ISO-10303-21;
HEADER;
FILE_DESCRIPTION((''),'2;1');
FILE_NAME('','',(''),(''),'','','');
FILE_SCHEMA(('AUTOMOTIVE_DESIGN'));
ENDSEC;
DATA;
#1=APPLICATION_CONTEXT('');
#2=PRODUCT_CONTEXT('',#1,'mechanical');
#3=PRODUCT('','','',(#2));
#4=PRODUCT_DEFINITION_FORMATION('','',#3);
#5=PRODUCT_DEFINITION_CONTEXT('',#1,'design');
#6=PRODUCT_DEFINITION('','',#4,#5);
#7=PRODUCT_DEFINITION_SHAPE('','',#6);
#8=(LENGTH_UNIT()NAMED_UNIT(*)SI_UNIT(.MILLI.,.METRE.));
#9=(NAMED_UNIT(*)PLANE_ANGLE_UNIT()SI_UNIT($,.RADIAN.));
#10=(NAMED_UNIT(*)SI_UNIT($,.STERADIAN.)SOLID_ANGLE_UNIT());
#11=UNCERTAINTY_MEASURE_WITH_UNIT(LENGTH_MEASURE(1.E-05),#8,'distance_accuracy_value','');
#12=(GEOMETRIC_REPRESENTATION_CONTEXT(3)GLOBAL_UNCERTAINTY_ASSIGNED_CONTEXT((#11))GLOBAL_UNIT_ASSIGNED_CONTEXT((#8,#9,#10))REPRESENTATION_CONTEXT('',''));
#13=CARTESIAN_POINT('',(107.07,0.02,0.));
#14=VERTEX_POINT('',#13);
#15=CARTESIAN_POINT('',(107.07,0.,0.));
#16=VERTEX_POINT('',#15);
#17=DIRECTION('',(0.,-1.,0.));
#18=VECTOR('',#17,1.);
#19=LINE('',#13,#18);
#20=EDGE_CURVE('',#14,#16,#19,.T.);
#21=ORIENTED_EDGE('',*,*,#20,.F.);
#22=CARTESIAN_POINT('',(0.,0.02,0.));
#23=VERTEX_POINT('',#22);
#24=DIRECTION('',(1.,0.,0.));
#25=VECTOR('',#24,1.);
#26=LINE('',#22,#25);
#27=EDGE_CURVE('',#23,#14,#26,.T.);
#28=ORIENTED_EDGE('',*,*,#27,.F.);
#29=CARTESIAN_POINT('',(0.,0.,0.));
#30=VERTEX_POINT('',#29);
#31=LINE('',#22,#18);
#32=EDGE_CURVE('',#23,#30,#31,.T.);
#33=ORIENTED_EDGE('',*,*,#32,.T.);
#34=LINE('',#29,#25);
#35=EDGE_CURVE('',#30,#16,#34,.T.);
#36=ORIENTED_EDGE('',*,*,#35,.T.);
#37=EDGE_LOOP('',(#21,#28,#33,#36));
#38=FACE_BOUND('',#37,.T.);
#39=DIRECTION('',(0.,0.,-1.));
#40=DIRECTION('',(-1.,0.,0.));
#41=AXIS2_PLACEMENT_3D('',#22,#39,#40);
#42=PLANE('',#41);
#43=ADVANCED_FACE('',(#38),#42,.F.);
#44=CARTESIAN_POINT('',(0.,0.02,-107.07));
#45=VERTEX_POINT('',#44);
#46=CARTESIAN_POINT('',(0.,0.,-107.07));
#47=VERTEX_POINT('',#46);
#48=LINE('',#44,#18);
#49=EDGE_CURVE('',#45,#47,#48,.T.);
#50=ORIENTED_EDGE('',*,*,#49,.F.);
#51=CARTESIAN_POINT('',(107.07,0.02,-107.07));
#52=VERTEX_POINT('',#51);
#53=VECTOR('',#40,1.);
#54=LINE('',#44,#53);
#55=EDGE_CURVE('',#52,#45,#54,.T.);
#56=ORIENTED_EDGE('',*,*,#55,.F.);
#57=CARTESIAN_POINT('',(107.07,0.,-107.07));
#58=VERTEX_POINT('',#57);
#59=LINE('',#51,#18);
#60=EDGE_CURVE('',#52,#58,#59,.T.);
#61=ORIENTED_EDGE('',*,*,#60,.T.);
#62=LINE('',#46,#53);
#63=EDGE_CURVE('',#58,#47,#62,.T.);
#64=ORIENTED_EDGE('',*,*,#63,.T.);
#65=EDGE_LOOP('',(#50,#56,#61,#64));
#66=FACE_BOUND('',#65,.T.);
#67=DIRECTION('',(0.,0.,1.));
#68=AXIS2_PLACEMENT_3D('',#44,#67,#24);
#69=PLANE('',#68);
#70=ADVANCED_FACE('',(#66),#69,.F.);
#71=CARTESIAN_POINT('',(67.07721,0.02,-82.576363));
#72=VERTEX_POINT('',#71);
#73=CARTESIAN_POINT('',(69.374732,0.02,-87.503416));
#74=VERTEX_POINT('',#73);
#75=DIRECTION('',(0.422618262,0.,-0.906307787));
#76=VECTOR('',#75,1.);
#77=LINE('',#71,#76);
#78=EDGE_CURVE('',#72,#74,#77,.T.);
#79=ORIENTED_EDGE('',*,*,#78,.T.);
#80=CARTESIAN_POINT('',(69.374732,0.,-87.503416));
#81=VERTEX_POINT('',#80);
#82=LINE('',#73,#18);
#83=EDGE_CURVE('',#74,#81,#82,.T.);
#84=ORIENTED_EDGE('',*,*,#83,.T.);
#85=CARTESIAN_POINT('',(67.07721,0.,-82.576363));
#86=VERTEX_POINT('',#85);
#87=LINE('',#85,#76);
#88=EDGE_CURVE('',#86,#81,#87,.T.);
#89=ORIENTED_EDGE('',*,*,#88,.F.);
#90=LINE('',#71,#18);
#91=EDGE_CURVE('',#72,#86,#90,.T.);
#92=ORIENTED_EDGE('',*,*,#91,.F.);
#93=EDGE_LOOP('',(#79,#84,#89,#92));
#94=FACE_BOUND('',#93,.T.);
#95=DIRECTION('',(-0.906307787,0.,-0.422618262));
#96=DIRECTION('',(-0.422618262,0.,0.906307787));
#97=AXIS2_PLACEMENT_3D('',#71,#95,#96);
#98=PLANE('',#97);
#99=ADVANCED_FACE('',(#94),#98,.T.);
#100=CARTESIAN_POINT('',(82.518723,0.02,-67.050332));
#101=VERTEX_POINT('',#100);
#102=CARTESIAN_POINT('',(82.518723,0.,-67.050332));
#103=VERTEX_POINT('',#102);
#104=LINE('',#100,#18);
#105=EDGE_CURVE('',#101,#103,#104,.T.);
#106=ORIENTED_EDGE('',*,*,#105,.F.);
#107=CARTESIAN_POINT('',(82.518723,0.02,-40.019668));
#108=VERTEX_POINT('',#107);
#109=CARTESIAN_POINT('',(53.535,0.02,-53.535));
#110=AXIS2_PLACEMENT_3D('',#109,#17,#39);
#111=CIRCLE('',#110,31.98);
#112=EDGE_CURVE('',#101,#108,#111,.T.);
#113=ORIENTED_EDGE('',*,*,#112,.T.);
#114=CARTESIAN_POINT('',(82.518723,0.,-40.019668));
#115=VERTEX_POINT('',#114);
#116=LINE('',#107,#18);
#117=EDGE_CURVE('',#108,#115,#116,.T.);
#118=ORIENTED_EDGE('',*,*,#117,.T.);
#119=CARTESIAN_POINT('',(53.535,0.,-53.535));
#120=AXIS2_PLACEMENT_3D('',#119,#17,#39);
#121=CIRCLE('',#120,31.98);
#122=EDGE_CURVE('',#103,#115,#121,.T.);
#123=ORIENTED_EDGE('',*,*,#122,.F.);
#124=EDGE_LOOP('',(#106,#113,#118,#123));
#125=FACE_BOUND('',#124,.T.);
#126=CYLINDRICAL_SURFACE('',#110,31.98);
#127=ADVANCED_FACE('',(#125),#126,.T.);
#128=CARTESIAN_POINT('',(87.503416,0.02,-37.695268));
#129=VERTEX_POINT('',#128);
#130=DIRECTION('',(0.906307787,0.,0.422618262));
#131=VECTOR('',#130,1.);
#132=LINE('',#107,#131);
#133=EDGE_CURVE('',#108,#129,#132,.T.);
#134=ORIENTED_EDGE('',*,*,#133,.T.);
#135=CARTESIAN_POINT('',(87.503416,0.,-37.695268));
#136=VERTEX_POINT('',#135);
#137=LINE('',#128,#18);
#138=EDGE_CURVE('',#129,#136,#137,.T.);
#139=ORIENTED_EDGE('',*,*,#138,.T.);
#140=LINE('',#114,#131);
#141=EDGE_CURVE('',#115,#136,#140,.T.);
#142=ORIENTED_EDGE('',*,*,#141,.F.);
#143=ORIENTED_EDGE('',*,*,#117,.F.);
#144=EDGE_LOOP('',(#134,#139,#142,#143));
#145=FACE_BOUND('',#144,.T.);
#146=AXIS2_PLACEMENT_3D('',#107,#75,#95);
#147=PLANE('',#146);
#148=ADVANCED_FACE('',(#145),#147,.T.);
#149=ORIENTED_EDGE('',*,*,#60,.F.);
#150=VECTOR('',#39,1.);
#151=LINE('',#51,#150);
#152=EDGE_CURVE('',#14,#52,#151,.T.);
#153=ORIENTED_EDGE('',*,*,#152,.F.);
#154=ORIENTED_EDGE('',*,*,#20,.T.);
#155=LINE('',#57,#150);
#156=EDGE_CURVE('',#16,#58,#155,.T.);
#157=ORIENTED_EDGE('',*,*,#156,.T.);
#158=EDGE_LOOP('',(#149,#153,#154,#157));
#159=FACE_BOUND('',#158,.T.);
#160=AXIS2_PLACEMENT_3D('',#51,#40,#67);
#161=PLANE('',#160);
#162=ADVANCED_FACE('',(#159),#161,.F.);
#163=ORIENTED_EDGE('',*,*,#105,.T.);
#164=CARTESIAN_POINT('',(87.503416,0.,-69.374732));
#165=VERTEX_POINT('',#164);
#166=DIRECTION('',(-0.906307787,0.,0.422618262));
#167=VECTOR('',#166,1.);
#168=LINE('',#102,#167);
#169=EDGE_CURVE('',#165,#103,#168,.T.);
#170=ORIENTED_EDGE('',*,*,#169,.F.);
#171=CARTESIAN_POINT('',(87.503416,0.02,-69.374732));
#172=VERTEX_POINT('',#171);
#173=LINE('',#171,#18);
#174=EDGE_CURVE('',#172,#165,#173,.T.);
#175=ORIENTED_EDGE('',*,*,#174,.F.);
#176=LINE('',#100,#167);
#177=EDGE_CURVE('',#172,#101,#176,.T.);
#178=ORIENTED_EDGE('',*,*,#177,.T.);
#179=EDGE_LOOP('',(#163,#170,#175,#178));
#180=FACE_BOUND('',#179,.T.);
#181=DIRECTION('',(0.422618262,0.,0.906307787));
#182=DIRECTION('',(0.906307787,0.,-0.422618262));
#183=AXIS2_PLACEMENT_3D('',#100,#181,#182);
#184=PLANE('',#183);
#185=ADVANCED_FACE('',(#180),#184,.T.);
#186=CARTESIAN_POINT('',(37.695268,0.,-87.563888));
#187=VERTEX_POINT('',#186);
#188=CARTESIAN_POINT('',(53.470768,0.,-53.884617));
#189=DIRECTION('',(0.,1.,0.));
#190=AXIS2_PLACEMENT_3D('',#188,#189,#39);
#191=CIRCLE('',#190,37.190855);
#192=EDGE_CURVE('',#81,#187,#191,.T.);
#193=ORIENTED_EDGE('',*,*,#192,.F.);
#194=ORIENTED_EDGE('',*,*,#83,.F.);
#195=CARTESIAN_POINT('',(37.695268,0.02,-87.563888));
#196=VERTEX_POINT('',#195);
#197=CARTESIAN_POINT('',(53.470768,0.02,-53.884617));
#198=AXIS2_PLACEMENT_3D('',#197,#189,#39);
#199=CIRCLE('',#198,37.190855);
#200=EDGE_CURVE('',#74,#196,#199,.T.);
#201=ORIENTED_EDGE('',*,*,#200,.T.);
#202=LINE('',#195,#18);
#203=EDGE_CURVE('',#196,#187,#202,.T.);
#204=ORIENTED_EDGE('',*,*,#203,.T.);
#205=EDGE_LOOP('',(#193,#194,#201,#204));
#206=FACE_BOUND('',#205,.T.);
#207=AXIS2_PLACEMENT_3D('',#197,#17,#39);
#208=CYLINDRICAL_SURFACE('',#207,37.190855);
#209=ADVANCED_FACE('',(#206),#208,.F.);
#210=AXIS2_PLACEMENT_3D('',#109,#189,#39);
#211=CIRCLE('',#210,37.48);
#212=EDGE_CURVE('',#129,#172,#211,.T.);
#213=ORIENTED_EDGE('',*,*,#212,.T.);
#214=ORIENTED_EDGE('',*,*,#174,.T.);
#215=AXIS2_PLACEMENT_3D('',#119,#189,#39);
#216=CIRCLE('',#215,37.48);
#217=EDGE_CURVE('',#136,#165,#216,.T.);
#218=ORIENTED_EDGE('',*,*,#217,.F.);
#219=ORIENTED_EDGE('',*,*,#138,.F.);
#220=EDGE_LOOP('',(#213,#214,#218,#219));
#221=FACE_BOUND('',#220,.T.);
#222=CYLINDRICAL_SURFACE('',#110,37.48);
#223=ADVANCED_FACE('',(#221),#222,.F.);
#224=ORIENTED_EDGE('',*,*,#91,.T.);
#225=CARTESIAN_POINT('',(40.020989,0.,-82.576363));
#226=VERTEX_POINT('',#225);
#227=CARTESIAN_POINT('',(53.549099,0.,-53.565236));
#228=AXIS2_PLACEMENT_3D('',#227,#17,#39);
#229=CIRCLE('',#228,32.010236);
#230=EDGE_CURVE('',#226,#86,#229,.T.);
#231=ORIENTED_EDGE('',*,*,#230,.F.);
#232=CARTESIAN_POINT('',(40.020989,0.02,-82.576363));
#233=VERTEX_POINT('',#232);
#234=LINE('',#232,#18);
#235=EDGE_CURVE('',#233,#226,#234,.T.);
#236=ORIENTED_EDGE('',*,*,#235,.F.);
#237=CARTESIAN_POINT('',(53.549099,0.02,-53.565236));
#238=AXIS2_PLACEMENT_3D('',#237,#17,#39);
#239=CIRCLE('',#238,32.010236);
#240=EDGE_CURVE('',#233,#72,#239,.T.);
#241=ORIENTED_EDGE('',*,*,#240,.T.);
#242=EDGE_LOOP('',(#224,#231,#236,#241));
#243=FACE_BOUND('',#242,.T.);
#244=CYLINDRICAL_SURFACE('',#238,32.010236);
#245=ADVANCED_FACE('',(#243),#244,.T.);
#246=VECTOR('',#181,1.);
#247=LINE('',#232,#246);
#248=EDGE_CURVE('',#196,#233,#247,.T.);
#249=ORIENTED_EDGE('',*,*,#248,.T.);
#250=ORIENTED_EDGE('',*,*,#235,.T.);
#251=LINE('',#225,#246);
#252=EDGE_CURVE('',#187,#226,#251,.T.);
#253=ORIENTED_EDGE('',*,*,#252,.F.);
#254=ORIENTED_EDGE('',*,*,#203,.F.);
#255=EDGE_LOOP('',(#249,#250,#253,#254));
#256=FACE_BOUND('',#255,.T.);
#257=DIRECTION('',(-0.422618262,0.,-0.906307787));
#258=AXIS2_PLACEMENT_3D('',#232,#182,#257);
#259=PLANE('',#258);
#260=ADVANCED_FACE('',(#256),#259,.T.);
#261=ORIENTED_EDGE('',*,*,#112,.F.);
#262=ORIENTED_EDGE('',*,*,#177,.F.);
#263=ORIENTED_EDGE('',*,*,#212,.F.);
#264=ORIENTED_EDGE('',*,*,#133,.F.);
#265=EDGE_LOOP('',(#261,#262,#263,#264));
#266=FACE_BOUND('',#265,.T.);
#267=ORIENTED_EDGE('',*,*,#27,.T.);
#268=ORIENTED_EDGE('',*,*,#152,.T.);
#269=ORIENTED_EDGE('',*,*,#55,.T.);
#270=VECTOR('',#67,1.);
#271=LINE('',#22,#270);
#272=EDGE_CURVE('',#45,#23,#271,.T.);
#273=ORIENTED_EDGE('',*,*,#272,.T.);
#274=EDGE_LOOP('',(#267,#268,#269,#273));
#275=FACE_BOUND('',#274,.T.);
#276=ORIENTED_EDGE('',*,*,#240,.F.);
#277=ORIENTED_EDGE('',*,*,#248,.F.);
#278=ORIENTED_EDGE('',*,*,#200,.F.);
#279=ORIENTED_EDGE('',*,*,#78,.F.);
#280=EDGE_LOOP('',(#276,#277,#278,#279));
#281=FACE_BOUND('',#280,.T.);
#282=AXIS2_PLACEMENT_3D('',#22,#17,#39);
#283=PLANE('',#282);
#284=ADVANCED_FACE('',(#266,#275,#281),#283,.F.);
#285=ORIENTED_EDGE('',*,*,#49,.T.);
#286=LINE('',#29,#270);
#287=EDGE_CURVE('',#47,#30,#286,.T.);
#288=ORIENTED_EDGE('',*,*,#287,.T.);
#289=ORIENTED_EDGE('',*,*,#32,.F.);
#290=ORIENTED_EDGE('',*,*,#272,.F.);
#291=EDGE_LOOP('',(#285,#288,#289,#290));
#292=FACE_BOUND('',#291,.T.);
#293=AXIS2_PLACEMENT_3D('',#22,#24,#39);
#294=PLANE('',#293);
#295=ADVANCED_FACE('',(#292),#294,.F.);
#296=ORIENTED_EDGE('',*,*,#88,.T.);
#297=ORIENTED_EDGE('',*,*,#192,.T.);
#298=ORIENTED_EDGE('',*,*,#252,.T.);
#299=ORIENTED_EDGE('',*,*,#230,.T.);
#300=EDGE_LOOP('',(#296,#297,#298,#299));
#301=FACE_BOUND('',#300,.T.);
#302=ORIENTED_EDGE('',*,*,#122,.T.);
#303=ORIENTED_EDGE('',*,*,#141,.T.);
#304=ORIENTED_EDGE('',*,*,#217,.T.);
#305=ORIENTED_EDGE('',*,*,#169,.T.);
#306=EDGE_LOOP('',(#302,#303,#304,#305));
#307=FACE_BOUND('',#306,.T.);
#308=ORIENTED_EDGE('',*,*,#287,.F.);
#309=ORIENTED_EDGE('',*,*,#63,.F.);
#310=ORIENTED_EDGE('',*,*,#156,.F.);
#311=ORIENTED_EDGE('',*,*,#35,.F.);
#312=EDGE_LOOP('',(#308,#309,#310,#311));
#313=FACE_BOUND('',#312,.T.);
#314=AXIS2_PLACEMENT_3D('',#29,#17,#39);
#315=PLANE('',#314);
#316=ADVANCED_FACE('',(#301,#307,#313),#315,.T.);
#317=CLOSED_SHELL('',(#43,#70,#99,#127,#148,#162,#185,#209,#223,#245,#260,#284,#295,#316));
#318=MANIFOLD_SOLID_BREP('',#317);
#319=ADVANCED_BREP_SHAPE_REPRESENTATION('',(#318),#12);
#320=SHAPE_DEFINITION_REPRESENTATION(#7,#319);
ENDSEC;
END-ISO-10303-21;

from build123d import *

# Parameters (mm, degrees)
SKETCH1_W           = 107.07
SKETCH1_H           = 107.07
BOSS_EXTRUDE1_DEPTH = 0.02


with BuildPart() as part:
    # Sketch1 → Boss-Extrude1 (new body)
    with BuildSketch(Plane(origin=(0, 0, 0), x_dir=(1, 0, 0), z_dir=(0, 1, 0))):
        with Locations((53.535, 53.535)):
            Rectangle(SKETCH1_W, SKETCH1_H)
        with BuildLine():
            Line((40.02098899, 82.576362505), (37.69526755, 87.563888229))
            ThreePointArc((37.69526755, 87.563888229), (53.541760789, 91.075404612), (69.37473245, 87.503415858))
            Line((69.37473245, 87.503415858), (67.077209739, 82.576362505))
            ThreePointArc((67.077209739, 82.576362505), (53.549099365, 85.57547237), (40.02098899, 82.576362505))
        make_face(mode=Mode.SUBTRACT)
        with BuildLine():
            Line((82.518723029, 67.05033201), (87.503415858, 69.37473245))
            ThreePointArc((87.503415858, 69.37473245), (91.015, 53.535), (87.503415858, 37.69526755))
            Line((87.503415858, 37.69526755), (82.518723029, 40.01966799))
            ThreePointArc((82.518723029, 40.01966799), (85.515, 53.535), (82.518723029, 67.05033201))
        make_face(mode=Mode.SUBTRACT)
    extrude(amount=BOSS_EXTRUDE1_DEPTH)


solid = part.part
